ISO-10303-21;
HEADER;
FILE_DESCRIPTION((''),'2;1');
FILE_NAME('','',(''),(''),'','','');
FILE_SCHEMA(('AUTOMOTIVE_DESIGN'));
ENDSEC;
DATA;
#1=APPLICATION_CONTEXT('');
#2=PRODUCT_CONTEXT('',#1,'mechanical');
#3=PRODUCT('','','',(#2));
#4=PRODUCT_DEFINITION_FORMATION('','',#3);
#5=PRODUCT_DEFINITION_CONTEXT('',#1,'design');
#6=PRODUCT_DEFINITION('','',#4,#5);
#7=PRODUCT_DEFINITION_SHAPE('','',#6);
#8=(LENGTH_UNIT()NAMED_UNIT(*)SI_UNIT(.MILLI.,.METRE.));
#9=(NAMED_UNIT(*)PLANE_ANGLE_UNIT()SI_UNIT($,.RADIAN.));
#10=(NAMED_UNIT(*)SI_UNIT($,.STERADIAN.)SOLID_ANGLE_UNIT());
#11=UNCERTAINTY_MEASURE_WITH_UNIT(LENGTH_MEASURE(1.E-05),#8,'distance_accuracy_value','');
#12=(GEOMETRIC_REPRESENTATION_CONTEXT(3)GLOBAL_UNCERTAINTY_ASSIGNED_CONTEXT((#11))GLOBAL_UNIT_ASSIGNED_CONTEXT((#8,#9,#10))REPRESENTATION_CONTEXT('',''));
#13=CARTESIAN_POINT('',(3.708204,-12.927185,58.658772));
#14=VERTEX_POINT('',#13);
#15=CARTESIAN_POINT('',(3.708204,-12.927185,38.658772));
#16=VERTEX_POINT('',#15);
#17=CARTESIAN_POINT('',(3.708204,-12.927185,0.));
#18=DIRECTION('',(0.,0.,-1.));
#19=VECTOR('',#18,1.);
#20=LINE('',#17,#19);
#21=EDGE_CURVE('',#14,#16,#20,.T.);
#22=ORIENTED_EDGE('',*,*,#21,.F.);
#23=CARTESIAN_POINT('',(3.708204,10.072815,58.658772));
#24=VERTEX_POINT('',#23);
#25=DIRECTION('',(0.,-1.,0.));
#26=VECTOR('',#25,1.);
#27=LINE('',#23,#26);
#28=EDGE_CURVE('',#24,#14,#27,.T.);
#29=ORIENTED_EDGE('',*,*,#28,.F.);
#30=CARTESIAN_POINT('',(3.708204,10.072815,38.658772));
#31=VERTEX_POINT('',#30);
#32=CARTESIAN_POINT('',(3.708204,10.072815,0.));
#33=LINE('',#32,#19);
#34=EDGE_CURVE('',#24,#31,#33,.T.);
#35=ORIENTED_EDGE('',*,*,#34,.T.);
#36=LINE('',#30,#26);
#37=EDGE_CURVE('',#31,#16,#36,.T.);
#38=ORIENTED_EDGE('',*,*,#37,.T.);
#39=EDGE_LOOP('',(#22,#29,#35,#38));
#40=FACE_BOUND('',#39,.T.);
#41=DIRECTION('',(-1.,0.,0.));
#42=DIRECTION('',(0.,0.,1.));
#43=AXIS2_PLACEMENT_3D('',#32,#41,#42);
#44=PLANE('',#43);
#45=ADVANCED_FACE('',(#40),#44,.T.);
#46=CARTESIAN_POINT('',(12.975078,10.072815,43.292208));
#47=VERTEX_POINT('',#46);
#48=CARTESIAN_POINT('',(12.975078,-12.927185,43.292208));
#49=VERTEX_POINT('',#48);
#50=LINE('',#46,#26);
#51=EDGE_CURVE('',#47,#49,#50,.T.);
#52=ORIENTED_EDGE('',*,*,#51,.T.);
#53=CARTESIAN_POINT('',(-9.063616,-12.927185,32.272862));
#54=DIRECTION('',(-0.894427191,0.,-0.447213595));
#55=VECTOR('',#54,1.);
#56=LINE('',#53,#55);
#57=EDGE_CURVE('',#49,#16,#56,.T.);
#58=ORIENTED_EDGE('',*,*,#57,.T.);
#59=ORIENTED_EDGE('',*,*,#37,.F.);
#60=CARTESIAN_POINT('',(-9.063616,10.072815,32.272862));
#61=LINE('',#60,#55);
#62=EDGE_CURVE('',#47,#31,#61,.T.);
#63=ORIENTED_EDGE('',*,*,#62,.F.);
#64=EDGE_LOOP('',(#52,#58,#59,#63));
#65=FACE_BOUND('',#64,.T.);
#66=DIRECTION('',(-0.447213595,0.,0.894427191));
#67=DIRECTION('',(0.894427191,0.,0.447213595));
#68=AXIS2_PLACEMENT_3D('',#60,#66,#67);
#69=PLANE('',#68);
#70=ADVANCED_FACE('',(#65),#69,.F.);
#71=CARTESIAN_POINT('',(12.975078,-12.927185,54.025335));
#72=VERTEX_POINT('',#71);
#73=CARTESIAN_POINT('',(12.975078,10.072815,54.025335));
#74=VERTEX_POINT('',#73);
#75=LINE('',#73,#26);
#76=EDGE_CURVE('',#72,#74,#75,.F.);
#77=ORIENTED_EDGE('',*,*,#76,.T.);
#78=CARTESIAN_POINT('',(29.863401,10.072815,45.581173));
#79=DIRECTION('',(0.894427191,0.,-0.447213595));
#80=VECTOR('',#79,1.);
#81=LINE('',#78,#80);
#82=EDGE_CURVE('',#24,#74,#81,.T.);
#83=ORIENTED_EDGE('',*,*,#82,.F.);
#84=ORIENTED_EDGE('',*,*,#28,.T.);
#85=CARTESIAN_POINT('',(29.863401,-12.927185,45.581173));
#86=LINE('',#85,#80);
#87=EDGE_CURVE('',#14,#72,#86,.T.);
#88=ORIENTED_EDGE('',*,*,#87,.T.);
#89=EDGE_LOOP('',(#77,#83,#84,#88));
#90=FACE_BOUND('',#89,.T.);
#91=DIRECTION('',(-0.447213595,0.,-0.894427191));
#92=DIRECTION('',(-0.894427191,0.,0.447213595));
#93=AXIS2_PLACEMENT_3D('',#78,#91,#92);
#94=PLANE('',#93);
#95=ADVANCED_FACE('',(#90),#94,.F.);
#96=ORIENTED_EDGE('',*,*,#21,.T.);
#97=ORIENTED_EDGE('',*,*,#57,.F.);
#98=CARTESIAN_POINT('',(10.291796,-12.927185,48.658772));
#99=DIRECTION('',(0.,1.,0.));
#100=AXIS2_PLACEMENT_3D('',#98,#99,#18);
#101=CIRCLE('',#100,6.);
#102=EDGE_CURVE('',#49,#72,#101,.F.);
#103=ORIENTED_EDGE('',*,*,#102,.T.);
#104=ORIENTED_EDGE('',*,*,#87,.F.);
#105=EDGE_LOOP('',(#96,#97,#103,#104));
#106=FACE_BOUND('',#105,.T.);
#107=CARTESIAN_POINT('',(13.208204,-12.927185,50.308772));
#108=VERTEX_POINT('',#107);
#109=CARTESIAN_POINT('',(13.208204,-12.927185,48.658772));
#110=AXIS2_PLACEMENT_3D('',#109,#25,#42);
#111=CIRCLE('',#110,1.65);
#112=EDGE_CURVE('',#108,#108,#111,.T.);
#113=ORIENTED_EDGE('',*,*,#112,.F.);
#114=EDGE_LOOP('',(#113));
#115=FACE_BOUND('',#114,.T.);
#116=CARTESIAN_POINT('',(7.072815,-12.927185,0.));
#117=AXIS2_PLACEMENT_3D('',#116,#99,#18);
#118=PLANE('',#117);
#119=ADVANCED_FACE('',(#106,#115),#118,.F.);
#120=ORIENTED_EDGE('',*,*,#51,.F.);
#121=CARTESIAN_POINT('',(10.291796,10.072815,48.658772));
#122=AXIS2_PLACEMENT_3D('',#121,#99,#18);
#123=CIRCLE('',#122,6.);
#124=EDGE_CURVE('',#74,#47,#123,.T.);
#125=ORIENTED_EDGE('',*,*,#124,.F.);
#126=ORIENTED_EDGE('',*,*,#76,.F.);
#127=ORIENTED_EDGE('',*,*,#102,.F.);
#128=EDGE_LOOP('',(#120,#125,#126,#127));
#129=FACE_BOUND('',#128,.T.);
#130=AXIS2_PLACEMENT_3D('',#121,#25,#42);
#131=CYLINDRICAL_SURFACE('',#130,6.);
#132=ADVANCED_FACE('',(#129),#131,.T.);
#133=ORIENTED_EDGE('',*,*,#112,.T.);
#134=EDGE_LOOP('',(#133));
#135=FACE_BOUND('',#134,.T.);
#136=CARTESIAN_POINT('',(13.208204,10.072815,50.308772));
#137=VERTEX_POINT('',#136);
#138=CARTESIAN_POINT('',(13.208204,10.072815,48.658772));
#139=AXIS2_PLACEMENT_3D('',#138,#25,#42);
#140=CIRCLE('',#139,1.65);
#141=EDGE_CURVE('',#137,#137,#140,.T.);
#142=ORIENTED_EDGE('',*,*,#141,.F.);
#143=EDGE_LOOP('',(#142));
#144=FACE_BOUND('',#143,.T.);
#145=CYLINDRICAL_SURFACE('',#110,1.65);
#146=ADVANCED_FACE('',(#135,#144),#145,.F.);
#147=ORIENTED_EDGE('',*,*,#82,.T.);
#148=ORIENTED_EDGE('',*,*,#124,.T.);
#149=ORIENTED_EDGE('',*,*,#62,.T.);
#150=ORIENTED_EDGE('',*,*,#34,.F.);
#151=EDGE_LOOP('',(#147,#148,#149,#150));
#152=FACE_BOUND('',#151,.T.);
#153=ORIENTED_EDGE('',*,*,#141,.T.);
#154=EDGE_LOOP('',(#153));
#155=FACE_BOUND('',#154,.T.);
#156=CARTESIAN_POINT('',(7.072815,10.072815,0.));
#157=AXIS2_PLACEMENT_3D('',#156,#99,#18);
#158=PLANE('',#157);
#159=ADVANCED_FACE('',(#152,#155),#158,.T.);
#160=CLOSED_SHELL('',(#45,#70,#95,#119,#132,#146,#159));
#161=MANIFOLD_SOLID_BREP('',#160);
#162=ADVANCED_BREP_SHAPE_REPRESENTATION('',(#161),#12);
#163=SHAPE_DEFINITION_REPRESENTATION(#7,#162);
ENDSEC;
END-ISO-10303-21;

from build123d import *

# Parameters (mm, degrees)
BOSS_EXTRUDE1_DEPTH         = 23
FILLET1_R                   = 6
PREFORO_DA_MASCHIARE_M4_1_D = 3.3
BODY_MOVE_COPY1_ANGLE       = 90


with BuildPart() as part:
    # Sketch2 → Boss-Extrude1 (new body)
    with BuildSketch(Plane(origin=(0, 0, 0), x_dir=(0, 0, -1), z_dir=(1, 0, 0))):
        Polygon((-58.658771552, 3.364610889), (-38.658771552, 3.364610889), (-48.658771552, -16.635389111), align=None)
    extrude(amount=BOSS_EXTRUDE1_DEPTH)

    # Fillet1
    fillet1_edges = [part.edges().sort_by_distance(p)[0] for p in [
        (11.5, -16.635389111, 48.658771552),
    ]]
    fillet(fillet1_edges, radius=FILLET1_R)

    # Preforo da maschiare M4-1 (through all)
    with Locations(Plane.ZY):
        with Locations((48.658771552, -6.135389111)):
            Hole(PREFORO_DA_MASCHIARE_M4_1_D / 2)


with BuildPart() as part_1:
    # Body-Move/Copy1: moved
    add(part.part.rotate(Axis((10, -2.927185179, 0), (0, 0, 1)), BODY_MOVE_COPY1_ANGLE))


solid = part_1.part
